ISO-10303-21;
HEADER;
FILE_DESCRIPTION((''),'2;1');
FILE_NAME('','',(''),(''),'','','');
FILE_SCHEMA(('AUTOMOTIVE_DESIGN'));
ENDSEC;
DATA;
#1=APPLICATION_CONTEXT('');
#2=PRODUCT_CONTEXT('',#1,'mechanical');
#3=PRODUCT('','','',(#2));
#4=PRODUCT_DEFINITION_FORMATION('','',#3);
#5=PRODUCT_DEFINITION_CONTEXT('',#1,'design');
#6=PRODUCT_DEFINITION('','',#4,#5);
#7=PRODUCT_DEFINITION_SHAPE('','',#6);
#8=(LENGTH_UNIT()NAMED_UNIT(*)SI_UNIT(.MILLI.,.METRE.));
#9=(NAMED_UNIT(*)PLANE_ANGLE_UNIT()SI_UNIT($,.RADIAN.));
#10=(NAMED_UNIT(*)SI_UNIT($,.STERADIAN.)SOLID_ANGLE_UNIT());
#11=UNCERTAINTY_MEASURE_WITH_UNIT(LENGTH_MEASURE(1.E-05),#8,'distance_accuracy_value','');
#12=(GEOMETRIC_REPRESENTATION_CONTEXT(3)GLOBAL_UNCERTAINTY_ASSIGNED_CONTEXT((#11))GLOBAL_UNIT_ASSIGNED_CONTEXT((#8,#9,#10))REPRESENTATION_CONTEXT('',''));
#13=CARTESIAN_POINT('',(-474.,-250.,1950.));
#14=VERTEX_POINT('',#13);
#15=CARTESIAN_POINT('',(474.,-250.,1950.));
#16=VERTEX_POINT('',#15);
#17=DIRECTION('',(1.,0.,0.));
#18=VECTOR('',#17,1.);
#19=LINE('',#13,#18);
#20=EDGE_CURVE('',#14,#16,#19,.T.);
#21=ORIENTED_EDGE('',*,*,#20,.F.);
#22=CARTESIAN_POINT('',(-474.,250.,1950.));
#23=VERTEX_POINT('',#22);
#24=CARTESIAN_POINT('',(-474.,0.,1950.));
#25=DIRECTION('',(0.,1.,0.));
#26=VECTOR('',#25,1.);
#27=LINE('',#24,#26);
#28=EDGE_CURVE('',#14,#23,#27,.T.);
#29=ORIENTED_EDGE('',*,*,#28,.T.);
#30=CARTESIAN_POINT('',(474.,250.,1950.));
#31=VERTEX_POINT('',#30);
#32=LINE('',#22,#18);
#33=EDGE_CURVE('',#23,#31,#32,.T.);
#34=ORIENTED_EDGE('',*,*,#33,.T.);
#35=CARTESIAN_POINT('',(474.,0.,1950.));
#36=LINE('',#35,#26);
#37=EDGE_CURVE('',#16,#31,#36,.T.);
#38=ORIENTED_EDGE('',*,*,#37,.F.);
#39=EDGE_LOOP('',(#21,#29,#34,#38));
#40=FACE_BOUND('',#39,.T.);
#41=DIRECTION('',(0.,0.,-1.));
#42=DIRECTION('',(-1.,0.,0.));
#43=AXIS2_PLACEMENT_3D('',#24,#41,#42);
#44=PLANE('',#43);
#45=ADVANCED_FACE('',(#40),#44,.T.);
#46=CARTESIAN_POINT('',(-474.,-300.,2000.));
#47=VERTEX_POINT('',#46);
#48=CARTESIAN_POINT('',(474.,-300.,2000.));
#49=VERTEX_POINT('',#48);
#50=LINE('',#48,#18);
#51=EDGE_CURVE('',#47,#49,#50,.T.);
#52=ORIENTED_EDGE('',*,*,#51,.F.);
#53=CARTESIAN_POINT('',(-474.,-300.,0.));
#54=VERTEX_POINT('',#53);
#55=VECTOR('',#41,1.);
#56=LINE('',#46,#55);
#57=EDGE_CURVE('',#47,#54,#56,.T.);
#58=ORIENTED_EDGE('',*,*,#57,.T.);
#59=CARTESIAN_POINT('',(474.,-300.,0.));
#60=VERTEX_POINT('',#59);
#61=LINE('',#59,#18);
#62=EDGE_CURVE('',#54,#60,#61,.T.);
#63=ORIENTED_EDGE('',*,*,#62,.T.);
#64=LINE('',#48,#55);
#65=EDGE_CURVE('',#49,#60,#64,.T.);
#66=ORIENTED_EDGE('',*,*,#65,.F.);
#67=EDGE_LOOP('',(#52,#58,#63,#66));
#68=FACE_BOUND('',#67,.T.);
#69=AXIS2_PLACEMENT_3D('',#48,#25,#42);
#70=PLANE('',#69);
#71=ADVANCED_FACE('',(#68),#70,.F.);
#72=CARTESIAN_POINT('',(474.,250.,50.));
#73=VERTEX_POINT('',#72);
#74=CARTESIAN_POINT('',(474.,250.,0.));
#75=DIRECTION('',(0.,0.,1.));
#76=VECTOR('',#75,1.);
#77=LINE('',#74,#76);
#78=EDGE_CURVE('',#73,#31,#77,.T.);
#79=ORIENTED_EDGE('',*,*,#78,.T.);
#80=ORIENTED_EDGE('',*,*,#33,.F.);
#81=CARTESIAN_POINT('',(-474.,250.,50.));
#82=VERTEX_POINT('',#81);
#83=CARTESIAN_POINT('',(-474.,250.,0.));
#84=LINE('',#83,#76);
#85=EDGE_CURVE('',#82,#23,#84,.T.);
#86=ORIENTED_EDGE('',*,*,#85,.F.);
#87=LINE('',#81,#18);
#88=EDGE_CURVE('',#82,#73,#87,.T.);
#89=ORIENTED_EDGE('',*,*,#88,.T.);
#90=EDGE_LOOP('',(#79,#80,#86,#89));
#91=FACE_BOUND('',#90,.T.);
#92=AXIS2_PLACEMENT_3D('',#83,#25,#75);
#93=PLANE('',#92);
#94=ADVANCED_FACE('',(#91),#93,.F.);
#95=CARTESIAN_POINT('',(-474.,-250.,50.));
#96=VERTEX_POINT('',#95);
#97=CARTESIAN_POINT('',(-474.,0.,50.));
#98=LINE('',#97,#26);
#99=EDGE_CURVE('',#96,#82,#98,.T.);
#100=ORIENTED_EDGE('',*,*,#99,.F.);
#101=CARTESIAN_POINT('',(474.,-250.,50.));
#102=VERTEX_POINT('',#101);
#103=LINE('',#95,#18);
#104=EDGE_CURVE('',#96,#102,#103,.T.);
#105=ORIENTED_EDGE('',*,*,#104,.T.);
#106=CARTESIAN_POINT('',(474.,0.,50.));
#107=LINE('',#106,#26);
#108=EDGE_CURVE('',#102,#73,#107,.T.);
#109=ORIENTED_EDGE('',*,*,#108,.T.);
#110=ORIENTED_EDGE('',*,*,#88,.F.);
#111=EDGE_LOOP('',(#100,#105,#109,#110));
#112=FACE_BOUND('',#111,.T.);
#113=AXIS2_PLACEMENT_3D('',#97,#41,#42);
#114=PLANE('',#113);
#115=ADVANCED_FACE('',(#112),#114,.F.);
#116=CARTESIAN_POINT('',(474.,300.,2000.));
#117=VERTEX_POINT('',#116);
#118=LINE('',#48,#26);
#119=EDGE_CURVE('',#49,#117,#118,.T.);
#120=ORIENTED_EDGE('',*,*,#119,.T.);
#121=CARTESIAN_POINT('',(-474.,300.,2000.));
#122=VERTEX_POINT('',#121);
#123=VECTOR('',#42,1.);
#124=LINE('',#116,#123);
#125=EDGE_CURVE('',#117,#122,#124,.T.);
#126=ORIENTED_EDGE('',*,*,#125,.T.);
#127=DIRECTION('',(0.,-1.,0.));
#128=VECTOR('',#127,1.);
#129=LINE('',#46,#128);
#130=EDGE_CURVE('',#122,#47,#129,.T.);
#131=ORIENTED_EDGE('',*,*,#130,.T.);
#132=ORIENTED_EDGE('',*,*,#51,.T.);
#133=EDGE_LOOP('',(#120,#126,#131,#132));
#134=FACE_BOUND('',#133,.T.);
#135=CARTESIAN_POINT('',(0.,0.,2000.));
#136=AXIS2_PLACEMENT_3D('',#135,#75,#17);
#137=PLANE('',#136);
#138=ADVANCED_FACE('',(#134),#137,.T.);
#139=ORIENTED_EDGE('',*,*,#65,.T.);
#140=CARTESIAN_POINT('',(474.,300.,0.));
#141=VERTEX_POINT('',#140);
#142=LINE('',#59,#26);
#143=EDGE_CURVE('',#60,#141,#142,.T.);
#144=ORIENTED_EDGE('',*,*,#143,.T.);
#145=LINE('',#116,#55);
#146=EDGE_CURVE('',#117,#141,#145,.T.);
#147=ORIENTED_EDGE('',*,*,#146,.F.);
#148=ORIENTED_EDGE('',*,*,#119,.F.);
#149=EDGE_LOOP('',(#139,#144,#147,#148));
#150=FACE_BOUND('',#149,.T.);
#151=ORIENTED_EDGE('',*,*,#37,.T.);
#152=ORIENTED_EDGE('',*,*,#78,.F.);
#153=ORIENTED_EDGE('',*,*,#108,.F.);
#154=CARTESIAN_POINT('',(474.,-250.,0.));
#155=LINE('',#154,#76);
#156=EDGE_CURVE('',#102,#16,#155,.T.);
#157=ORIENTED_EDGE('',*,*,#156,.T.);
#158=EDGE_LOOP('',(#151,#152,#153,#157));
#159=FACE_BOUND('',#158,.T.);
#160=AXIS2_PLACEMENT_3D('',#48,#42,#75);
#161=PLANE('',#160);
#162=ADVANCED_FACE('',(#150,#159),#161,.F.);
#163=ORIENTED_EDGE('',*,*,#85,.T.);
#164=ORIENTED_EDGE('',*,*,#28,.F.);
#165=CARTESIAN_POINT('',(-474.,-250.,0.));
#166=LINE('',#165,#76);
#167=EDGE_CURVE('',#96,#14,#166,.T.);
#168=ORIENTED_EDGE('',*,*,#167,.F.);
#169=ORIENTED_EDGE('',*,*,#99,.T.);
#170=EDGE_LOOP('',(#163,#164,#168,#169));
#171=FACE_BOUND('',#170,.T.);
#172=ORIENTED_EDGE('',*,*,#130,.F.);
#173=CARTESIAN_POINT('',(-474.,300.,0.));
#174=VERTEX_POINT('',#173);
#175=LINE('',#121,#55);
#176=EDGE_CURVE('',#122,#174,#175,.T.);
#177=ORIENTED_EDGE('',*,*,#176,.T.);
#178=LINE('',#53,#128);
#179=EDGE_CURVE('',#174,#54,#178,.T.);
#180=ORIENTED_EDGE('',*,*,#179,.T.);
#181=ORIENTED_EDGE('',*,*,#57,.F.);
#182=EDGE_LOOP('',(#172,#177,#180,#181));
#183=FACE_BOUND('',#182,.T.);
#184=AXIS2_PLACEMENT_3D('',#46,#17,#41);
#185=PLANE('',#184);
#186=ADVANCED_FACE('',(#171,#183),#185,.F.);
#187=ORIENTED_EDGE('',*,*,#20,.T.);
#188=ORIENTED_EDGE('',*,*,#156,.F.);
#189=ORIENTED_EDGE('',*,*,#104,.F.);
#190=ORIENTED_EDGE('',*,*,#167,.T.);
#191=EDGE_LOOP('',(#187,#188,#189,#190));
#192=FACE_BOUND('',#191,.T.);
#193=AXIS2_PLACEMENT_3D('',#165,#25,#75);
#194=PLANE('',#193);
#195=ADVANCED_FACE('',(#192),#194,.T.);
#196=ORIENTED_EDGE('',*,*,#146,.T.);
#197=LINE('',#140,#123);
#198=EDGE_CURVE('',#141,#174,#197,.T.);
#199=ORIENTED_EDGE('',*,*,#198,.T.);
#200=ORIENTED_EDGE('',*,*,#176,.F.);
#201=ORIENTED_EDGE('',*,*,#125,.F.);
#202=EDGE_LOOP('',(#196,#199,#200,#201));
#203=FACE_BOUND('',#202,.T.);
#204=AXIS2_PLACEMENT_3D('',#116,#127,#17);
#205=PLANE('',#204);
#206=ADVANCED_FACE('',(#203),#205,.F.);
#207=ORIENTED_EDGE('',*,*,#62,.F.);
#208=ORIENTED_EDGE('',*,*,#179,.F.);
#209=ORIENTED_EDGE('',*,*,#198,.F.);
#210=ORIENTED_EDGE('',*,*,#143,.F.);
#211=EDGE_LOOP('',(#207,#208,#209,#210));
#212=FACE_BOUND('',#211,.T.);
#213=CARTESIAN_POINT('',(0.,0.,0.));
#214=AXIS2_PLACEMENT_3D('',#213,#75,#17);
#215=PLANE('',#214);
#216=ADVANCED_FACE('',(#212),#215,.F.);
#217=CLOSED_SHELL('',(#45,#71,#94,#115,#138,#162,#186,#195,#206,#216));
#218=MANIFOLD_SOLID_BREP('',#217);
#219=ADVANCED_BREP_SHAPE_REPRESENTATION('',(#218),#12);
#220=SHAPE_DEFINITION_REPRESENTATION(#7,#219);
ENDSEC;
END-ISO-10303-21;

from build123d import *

# Parameters (mm, degrees)
SKETCH1_W           = 948
SKETCH1_H           = 600
BOSS_EXTRUDE1_DEPTH = 2000
SKETCH2_W           = 1900
SKETCH2_H           = 250
CUT_EXTRUDE1_DEPTH  = 2234.540686892


with BuildPart() as part:
    # Sketch1 → Boss-Extrude1 (new body)
    with BuildSketch(Plane.XY):
        Rectangle(SKETCH1_W, SKETCH1_H)
    extrude(amount=BOSS_EXTRUDE1_DEPTH)

    # Sketch2 → Cut-Extrude1 (cut, through all)
    with BuildSketch(Plane(origin=(474, 0, 0), x_dir=(0, 0, -1), z_dir=(1, 0, 0))):
        with Locations((-1000, 125)):
            Rectangle(SKETCH2_W, SKETCH2_H)
        with Locations((-1000, -125)):
            Rectangle(SKETCH2_W, SKETCH2_H)
    extrude(amount=-CUT_EXTRUDE1_DEPTH, mode=Mode.SUBTRACT)


solid = part.part
